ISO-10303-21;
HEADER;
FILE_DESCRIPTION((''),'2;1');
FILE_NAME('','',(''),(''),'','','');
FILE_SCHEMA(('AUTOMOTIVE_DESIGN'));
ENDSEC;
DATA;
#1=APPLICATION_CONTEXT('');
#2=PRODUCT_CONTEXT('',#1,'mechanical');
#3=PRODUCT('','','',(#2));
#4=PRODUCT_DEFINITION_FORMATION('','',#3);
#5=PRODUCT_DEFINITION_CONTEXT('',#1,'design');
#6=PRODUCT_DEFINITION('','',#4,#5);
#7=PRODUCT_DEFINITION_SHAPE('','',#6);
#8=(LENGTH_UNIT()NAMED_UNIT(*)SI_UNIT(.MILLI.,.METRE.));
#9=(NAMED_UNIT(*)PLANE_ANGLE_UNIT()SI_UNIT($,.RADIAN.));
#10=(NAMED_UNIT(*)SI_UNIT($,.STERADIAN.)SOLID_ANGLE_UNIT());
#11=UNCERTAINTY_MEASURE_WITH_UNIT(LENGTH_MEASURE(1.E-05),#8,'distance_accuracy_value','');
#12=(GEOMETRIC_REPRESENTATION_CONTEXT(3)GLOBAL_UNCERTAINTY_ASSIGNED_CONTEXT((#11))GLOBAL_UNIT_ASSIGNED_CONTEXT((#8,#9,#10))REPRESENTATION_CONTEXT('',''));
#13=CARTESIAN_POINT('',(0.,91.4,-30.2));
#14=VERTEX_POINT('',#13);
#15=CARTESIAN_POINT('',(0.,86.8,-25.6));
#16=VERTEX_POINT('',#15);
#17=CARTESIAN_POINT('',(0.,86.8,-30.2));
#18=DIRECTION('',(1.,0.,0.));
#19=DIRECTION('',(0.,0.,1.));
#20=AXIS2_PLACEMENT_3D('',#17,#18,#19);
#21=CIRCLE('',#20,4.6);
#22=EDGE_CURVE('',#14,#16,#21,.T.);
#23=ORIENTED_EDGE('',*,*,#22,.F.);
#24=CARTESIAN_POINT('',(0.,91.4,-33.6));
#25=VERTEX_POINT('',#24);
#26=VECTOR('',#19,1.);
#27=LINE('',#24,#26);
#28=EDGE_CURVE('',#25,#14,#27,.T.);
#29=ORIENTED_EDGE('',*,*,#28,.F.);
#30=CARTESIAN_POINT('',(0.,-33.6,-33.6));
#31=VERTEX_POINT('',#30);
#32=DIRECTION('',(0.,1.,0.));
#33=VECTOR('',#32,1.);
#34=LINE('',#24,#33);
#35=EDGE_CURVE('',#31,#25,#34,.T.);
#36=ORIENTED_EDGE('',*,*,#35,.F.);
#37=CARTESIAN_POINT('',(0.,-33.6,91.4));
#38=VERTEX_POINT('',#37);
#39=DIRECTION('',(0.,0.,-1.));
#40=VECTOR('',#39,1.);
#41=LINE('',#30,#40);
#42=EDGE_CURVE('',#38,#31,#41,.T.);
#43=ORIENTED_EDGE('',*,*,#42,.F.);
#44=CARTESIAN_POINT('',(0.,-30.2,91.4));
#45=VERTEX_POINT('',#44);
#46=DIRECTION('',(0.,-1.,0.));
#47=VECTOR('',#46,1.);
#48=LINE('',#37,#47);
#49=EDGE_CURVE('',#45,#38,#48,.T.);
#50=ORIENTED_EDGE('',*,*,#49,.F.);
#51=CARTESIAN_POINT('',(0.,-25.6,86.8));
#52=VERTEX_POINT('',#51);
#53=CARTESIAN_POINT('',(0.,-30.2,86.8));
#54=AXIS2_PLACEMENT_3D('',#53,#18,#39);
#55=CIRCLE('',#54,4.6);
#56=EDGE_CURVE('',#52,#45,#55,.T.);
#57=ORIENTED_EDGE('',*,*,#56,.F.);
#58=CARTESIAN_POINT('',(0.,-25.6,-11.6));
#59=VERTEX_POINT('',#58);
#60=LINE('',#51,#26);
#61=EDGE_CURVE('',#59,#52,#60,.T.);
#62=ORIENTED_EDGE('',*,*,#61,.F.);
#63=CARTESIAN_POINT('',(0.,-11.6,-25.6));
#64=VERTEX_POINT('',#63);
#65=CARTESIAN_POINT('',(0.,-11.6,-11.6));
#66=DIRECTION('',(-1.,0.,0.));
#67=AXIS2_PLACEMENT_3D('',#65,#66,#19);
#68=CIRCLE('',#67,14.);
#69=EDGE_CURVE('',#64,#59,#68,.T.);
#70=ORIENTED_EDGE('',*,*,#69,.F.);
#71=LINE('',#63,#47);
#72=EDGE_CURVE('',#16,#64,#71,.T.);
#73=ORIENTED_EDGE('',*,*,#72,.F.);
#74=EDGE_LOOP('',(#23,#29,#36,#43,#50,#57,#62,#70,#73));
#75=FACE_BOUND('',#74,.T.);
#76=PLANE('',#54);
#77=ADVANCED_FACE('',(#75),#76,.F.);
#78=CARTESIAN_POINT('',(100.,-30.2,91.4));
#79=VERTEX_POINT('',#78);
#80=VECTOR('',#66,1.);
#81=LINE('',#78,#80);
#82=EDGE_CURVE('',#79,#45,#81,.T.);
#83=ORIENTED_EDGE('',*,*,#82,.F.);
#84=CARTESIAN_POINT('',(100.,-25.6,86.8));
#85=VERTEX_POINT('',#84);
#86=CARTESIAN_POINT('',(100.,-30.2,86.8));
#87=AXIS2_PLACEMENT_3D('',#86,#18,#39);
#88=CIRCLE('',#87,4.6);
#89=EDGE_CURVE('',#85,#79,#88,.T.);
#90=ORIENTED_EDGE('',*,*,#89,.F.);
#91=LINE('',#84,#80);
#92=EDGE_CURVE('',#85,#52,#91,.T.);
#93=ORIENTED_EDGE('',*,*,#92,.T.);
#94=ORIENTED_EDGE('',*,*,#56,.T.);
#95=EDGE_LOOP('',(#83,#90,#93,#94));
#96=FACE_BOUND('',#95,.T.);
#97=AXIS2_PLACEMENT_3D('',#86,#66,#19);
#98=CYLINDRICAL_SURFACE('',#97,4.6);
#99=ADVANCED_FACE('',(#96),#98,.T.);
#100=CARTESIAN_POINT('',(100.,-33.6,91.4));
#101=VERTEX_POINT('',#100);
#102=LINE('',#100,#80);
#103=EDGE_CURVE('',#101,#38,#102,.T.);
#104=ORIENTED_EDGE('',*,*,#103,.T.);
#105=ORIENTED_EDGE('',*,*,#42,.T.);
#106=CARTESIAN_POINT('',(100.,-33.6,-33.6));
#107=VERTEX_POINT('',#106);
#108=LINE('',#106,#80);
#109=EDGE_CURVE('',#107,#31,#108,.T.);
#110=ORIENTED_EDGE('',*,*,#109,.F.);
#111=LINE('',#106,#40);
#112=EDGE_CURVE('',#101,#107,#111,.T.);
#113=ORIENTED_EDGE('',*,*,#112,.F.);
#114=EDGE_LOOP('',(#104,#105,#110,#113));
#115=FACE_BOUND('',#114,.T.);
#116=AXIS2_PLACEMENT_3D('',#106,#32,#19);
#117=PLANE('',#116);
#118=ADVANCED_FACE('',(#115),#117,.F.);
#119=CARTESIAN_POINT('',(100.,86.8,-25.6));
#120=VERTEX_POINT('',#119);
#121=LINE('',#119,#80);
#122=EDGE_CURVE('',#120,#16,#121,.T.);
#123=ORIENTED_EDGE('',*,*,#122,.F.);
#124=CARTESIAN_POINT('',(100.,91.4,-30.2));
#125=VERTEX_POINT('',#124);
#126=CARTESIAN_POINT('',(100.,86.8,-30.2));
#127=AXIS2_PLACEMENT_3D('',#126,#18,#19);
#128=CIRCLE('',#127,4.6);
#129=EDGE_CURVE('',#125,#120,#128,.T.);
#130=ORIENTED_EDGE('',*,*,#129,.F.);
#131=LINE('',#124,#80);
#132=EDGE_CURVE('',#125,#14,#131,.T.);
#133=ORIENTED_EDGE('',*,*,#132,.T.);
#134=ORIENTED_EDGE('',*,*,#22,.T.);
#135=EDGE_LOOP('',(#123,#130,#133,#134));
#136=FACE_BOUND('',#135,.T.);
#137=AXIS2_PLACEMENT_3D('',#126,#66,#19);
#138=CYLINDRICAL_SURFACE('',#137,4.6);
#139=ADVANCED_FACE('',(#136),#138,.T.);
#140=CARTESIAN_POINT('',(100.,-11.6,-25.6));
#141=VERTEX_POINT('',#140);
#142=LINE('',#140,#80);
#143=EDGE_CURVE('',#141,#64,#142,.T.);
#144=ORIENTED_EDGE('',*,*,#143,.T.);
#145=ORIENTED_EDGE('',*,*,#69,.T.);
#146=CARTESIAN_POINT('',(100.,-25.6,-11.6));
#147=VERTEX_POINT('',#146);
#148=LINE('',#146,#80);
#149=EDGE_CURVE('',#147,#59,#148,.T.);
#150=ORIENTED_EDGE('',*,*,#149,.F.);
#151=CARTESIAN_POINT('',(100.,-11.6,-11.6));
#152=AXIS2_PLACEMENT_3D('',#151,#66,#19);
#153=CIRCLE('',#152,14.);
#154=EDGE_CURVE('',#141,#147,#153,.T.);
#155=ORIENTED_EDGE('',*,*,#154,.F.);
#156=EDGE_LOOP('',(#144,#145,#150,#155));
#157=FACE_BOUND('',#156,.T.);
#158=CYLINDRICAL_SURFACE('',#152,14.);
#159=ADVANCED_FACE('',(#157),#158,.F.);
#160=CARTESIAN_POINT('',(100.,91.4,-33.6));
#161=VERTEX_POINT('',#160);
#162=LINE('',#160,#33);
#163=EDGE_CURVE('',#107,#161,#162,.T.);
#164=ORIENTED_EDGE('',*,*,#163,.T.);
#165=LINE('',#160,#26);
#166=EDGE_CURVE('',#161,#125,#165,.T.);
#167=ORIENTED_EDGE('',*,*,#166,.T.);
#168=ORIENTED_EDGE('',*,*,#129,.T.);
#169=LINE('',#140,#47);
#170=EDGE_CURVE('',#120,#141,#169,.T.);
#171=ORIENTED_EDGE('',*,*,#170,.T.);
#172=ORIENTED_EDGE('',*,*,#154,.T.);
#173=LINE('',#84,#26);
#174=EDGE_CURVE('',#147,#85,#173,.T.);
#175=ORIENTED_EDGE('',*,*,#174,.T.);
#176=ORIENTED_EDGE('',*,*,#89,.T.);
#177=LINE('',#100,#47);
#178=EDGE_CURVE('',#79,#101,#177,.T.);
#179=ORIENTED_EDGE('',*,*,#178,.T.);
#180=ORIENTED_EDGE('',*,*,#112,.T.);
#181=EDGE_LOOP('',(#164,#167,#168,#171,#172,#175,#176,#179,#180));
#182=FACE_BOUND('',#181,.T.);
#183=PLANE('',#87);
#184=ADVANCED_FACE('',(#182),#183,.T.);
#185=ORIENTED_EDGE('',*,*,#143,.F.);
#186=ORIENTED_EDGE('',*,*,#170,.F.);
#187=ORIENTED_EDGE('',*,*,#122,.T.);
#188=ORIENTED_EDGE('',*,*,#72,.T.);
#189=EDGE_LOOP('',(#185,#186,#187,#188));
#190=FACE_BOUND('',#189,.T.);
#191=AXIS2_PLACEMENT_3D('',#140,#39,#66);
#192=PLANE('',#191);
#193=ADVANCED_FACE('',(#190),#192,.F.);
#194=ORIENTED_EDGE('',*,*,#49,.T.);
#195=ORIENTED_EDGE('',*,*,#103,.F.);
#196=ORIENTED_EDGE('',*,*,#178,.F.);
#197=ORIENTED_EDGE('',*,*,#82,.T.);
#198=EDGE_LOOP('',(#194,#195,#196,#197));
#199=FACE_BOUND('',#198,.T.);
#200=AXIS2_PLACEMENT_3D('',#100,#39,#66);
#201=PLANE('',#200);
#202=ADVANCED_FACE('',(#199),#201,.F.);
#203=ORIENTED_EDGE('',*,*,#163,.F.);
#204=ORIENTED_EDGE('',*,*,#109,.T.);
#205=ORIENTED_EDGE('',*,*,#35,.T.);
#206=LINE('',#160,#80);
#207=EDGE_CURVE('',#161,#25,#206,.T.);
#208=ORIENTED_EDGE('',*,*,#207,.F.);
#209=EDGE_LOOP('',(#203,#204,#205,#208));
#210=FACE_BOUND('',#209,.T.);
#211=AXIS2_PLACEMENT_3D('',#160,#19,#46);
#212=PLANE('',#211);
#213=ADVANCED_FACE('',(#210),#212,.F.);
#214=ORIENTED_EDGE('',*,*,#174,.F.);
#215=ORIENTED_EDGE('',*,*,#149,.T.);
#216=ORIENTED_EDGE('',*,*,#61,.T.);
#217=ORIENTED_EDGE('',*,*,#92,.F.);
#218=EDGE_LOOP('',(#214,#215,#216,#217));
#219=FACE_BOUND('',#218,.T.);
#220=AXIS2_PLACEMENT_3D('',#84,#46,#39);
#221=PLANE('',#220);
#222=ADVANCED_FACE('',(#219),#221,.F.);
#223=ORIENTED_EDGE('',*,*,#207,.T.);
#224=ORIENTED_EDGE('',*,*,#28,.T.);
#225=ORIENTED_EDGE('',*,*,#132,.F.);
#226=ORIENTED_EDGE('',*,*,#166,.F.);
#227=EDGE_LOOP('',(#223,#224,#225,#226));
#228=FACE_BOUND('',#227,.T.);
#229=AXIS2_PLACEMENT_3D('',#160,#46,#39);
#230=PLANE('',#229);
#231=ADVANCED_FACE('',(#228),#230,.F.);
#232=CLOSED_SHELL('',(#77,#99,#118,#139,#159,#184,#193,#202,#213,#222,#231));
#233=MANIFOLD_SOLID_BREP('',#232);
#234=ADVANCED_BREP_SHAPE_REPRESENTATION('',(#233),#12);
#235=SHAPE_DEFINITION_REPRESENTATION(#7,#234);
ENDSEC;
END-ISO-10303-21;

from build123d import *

# Parameters (mm, degrees)
MEMBER_8509_86_125_125_8_1_DEPTH = 100


with BuildPart() as part:
    # Sketch11 → Member 8509-86 125_125_8_1 (new body)
    with BuildSketch(Plane.YZ):
        with BuildLine():
            Line((-33.6, -33.6), (-33.6, 91.4))
            Line((-33.6, 91.4), (-30.2, 91.4))
            ThreePointArc((-30.2, 91.4), (-26.947308807, 90.052691193), (-25.6, 86.8))
            Line((-25.6, 86.8), (-25.6, -11.6))
            ThreePointArc((-25.6, -11.6), (-21.499494937, -21.499494937), (-11.6, -25.6))
            Line((-11.6, -25.6), (86.8, -25.6))
            ThreePointArc((86.8, -25.6), (90.052691193, -26.947308807), (91.4, -30.2))
            Line((91.4, -30.2), (91.4, -33.6))
            Line((91.4, -33.6), (-33.6, -33.6))
        make_face()
    extrude(amount=MEMBER_8509_86_125_125_8_1_DEPTH)


solid = part.part
